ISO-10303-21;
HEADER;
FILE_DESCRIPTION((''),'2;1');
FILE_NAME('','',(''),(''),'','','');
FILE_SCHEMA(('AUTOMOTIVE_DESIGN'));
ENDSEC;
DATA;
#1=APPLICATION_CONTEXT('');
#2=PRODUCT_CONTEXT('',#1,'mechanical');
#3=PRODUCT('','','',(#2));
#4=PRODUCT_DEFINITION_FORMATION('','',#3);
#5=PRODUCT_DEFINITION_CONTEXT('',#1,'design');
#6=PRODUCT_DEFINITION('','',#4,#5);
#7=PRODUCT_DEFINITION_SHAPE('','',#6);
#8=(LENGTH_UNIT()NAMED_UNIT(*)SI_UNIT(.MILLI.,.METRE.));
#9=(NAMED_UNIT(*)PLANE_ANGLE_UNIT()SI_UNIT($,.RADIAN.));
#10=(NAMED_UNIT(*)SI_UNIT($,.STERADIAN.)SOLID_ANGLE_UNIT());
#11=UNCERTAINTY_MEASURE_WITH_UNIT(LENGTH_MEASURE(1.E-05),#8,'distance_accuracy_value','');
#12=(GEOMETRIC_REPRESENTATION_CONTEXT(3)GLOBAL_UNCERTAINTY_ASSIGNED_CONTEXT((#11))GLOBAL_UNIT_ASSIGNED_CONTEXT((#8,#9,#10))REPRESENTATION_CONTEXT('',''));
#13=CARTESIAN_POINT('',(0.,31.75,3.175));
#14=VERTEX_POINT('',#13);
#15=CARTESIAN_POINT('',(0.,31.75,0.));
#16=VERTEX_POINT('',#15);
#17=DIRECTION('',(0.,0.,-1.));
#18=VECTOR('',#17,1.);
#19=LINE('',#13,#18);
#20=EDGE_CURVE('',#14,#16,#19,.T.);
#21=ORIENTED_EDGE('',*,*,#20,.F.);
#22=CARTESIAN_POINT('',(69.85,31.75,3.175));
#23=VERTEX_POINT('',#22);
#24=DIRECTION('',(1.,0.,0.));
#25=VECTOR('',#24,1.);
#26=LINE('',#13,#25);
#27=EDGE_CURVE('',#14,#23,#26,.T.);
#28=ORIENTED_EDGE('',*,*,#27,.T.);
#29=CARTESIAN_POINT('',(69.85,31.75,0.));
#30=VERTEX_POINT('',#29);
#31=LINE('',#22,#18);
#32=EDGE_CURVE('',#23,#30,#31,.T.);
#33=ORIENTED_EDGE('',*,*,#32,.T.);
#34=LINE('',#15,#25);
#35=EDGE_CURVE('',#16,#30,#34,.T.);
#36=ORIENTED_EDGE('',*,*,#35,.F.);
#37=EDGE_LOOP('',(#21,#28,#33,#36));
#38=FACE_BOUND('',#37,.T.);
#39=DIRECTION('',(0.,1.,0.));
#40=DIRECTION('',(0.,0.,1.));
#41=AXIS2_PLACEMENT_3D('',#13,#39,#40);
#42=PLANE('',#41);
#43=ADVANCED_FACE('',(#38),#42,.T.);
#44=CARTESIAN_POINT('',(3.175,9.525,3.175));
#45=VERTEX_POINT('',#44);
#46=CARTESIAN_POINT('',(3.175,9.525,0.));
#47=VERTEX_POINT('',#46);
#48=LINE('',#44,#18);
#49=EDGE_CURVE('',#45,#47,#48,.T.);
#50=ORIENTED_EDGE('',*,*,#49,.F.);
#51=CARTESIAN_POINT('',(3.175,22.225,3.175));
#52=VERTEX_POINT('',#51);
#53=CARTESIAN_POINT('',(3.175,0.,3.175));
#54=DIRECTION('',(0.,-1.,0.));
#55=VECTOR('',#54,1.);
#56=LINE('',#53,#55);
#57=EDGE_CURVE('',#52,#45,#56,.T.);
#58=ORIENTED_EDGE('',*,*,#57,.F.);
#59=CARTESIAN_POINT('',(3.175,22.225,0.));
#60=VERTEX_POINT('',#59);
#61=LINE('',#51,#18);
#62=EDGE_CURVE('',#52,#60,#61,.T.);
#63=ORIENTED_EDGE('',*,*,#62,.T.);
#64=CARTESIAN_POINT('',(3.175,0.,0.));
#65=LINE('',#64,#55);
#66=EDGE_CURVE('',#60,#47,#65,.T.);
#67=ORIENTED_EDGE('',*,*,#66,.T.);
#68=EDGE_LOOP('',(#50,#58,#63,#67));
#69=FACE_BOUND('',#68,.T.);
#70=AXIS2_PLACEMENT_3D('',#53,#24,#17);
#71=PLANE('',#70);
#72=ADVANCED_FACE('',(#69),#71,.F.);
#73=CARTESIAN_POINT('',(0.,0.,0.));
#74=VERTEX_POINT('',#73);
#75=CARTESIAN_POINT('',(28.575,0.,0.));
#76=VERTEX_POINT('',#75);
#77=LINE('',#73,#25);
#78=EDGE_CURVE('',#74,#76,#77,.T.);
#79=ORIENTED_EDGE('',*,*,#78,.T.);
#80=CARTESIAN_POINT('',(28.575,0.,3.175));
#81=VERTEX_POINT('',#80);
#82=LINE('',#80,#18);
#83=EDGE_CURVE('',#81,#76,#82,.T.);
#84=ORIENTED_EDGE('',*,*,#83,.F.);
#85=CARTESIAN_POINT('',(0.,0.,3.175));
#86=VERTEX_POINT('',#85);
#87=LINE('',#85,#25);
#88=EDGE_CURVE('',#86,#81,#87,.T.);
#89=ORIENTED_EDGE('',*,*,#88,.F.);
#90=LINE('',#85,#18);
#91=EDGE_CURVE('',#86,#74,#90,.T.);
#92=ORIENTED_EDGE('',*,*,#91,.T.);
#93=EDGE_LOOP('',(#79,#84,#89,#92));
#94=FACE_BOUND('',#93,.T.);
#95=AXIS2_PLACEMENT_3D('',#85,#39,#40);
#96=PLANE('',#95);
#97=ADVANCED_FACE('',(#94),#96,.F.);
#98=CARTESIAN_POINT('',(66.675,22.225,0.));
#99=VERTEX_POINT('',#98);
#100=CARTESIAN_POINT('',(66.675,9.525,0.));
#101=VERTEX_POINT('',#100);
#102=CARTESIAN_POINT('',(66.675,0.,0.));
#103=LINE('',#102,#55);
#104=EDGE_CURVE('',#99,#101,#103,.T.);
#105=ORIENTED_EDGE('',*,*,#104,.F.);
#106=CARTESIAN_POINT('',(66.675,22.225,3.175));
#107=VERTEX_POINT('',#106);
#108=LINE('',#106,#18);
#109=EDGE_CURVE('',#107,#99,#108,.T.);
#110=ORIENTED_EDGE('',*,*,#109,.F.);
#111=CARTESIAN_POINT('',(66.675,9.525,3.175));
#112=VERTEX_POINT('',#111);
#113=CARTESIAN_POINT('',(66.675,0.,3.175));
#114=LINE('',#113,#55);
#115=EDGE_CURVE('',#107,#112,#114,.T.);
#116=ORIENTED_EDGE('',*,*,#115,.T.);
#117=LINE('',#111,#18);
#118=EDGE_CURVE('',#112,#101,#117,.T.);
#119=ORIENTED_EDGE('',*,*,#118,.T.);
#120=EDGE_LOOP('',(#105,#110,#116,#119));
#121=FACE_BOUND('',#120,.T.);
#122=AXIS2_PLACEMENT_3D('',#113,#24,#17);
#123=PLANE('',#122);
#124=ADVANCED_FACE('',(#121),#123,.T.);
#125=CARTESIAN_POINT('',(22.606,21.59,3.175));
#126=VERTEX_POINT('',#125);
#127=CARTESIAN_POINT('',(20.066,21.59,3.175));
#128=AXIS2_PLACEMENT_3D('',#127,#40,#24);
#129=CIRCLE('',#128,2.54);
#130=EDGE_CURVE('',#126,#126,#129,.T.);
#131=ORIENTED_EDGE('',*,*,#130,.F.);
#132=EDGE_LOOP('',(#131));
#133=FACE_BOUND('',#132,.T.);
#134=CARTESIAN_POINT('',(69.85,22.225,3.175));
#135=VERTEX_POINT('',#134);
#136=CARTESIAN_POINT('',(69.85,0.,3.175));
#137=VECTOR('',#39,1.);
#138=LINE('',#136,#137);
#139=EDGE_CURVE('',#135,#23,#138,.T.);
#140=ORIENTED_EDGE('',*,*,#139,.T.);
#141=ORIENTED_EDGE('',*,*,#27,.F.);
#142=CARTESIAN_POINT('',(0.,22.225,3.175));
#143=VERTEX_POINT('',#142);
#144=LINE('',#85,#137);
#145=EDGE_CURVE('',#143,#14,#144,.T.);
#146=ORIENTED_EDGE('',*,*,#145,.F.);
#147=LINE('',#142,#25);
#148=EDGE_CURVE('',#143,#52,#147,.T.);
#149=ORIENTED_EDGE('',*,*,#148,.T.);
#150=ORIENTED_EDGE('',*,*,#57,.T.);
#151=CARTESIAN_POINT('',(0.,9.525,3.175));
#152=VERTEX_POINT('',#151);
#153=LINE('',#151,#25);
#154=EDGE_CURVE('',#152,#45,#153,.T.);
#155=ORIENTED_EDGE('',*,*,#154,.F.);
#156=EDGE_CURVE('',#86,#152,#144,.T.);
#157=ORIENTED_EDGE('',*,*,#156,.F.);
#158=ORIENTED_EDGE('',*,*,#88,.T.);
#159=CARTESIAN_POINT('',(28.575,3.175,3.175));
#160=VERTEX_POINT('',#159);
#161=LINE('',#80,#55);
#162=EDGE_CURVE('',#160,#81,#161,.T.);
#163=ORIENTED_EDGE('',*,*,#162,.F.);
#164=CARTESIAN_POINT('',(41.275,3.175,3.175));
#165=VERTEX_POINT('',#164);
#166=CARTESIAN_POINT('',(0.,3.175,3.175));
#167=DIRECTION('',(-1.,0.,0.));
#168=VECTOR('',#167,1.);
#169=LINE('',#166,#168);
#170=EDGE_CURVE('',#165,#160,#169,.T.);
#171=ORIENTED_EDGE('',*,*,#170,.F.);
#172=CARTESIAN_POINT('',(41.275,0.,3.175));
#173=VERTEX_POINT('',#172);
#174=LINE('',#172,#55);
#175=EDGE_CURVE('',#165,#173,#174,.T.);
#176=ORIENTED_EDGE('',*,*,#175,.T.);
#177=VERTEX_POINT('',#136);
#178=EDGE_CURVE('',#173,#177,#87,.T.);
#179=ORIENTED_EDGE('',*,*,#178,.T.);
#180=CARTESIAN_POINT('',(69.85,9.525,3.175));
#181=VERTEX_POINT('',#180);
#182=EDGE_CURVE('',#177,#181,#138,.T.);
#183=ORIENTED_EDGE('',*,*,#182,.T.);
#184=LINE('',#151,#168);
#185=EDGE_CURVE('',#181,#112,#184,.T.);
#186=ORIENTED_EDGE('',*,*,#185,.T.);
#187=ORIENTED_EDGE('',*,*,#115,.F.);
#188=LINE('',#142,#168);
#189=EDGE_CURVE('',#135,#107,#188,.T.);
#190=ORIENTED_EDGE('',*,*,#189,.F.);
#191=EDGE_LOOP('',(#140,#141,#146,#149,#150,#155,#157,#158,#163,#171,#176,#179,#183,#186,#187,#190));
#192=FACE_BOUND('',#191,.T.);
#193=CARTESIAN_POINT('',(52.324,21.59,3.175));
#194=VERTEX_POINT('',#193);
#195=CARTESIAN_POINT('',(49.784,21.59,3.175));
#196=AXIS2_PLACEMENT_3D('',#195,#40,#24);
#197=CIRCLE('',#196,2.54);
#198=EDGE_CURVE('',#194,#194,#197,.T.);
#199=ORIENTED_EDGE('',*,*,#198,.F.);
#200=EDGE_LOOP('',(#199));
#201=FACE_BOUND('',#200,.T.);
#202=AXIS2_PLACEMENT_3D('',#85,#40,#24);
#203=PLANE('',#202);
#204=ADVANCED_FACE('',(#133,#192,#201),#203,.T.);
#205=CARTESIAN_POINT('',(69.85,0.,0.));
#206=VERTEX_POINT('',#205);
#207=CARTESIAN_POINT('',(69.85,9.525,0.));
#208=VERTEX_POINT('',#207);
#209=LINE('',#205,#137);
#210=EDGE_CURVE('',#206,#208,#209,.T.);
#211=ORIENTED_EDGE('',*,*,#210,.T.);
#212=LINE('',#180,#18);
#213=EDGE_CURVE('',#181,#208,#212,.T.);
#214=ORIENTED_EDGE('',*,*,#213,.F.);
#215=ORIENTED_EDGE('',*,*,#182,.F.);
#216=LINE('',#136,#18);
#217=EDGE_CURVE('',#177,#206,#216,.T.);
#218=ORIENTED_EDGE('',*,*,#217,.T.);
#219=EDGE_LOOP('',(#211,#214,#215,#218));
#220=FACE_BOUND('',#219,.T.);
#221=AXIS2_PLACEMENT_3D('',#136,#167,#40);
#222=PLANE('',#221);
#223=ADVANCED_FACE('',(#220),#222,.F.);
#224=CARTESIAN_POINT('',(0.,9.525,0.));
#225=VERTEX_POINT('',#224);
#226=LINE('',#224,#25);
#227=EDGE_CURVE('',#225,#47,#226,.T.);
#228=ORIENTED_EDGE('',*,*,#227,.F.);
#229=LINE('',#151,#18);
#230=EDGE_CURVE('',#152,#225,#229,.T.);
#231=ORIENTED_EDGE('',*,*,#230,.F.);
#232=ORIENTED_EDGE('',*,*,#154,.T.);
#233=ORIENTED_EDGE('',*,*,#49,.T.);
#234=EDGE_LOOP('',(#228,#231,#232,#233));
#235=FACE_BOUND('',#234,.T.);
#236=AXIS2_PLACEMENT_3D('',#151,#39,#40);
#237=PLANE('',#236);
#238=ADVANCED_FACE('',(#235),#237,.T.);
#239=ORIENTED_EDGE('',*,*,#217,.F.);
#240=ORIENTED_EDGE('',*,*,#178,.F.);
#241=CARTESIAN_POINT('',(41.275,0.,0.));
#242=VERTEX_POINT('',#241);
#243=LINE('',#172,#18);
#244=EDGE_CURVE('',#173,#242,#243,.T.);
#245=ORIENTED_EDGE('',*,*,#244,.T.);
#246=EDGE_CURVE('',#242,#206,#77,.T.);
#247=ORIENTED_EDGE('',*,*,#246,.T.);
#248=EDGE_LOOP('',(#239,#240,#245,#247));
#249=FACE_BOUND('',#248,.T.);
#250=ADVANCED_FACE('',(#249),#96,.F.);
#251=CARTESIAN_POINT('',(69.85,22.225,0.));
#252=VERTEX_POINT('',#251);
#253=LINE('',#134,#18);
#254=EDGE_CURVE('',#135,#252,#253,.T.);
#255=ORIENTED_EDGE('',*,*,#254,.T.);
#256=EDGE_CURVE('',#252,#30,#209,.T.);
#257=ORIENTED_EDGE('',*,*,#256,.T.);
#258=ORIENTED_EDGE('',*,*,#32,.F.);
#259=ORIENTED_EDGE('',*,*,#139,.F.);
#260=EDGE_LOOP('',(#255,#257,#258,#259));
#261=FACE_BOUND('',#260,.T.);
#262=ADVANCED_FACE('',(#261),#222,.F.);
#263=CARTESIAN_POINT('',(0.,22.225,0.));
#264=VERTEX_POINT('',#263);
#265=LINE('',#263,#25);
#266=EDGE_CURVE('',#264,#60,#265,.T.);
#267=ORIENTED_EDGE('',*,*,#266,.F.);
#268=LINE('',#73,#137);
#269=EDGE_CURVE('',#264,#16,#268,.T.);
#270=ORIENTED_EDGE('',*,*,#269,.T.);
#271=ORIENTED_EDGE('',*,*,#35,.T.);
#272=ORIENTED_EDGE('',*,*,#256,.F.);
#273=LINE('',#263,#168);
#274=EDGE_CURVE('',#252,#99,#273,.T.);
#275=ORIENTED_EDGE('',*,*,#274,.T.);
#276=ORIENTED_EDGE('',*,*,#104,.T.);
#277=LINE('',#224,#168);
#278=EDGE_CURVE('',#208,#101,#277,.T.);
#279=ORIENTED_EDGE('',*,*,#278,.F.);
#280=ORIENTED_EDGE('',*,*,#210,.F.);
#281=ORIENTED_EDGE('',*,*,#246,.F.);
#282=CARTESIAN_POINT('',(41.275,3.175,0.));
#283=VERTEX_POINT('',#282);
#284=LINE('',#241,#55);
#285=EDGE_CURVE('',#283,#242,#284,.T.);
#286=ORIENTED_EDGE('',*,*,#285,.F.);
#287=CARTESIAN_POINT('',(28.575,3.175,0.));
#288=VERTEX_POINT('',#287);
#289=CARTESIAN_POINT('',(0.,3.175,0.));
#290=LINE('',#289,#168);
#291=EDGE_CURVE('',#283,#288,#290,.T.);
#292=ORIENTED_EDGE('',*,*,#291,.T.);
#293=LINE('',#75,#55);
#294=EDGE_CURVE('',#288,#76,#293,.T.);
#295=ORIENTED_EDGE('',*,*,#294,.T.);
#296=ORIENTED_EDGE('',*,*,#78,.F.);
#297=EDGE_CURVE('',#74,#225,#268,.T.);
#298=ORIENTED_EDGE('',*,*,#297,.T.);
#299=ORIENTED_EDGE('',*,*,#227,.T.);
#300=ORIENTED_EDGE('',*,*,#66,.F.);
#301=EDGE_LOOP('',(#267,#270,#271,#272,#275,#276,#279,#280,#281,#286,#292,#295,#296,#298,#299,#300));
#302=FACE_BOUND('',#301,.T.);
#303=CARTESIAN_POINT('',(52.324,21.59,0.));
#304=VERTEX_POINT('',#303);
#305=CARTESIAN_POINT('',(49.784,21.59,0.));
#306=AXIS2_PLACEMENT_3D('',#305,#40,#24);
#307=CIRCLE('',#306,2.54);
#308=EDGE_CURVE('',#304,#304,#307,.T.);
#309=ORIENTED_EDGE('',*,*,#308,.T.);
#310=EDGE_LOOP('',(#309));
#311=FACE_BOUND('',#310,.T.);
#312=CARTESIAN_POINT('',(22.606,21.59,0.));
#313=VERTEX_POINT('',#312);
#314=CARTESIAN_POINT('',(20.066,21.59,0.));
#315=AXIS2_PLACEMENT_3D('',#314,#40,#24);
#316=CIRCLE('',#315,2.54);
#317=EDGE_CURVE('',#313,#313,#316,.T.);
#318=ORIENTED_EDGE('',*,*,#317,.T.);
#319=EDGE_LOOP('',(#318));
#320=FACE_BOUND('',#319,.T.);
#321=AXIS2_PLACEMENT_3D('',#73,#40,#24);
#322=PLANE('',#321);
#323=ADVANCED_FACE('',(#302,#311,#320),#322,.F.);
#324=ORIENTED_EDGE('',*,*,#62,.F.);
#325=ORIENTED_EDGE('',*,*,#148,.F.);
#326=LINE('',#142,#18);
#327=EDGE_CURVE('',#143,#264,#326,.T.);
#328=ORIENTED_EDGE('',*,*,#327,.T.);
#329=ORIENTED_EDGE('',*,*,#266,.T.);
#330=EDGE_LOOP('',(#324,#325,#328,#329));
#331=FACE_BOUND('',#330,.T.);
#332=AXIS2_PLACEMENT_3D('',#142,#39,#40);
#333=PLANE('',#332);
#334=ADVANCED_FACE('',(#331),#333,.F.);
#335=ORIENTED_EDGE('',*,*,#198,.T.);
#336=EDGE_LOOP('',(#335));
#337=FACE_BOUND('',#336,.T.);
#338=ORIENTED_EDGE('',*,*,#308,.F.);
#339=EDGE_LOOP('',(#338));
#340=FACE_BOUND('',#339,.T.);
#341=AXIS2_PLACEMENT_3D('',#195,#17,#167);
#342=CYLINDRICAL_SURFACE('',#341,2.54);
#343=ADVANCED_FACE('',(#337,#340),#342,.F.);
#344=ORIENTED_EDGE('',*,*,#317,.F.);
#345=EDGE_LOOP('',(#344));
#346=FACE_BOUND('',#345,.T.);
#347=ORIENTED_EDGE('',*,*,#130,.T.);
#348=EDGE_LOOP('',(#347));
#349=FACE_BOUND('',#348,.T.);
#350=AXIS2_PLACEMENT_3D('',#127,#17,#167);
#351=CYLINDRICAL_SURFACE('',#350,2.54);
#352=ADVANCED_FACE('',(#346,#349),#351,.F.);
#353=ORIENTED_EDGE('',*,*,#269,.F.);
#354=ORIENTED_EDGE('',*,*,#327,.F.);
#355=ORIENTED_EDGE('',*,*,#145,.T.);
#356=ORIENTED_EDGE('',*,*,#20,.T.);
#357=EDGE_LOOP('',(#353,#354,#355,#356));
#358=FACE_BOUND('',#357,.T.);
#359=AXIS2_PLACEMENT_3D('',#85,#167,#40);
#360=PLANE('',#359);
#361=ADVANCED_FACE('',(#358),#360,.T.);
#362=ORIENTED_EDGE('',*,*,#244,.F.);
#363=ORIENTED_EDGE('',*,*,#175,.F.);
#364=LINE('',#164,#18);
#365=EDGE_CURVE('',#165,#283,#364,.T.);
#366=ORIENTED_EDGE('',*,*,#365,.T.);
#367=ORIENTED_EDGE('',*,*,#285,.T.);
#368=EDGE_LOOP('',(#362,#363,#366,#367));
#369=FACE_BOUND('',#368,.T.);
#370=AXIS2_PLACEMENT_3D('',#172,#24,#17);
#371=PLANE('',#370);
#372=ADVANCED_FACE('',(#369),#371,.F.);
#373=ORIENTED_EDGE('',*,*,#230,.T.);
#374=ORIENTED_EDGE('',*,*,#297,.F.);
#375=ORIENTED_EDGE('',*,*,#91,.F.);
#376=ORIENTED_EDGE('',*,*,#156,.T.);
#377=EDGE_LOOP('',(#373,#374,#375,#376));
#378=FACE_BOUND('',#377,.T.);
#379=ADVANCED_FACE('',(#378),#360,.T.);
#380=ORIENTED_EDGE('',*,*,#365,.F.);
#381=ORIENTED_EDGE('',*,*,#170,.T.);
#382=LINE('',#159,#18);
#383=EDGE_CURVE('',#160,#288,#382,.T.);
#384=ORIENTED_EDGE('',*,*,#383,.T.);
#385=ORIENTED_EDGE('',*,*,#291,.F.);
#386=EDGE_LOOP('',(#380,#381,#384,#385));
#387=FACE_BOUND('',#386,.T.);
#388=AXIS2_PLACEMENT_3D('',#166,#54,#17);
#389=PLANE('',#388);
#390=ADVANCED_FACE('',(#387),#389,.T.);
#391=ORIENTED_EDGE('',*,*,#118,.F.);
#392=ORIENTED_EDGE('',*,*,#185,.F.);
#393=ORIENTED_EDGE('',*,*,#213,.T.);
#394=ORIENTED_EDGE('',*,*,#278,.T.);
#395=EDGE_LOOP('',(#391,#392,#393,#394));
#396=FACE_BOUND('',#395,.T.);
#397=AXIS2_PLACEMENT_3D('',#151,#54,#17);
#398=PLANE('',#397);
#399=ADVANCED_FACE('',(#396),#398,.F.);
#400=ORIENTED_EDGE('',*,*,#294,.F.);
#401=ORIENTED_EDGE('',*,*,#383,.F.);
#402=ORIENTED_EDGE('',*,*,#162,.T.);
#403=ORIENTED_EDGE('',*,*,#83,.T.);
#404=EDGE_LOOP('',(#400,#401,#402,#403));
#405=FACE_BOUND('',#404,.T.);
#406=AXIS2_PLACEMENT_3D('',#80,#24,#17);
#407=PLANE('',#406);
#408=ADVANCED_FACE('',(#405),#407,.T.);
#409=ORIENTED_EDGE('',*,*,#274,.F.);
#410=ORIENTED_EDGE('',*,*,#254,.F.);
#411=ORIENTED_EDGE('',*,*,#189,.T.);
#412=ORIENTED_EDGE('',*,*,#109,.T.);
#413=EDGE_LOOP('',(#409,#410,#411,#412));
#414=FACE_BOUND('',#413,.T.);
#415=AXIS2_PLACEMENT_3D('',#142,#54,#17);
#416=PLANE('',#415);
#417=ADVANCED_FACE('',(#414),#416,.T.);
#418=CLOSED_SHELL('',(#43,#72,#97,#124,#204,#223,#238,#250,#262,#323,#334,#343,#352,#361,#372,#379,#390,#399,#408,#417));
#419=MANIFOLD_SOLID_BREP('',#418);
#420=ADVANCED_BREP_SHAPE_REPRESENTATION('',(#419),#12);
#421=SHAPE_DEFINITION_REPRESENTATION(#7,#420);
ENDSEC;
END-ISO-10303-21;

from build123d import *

# Parameters (mm, degrees)
SKETCH1_R           = 2.54
BOSS_EXTRUDE1_DEPTH = 3.175


with BuildPart() as part:
    # Sketch1 → Boss-Extrude1 (new body)
    with BuildSketch(Plane.XY):
        Polygon((0, 9.525), (0, 0), (28.575, 0), (28.575, 3.175), (41.275, 3.175), (41.275, 0), (69.85, 0), (69.85, 9.525), (66.675, 9.525), (66.675, 22.225), (69.85, 22.225), (69.85, 31.75), (0, 31.75), (0, 22.225), (3.175, 22.225), (3.175, 9.525), align=None)
        with Locations((20.066, 21.59)):
            Circle(SKETCH1_R, mode=Mode.SUBTRACT)
        with Locations((49.784, 21.59)):
            Circle(SKETCH1_R, mode=Mode.SUBTRACT)
    extrude(amount=BOSS_EXTRUDE1_DEPTH)


solid = part.part
